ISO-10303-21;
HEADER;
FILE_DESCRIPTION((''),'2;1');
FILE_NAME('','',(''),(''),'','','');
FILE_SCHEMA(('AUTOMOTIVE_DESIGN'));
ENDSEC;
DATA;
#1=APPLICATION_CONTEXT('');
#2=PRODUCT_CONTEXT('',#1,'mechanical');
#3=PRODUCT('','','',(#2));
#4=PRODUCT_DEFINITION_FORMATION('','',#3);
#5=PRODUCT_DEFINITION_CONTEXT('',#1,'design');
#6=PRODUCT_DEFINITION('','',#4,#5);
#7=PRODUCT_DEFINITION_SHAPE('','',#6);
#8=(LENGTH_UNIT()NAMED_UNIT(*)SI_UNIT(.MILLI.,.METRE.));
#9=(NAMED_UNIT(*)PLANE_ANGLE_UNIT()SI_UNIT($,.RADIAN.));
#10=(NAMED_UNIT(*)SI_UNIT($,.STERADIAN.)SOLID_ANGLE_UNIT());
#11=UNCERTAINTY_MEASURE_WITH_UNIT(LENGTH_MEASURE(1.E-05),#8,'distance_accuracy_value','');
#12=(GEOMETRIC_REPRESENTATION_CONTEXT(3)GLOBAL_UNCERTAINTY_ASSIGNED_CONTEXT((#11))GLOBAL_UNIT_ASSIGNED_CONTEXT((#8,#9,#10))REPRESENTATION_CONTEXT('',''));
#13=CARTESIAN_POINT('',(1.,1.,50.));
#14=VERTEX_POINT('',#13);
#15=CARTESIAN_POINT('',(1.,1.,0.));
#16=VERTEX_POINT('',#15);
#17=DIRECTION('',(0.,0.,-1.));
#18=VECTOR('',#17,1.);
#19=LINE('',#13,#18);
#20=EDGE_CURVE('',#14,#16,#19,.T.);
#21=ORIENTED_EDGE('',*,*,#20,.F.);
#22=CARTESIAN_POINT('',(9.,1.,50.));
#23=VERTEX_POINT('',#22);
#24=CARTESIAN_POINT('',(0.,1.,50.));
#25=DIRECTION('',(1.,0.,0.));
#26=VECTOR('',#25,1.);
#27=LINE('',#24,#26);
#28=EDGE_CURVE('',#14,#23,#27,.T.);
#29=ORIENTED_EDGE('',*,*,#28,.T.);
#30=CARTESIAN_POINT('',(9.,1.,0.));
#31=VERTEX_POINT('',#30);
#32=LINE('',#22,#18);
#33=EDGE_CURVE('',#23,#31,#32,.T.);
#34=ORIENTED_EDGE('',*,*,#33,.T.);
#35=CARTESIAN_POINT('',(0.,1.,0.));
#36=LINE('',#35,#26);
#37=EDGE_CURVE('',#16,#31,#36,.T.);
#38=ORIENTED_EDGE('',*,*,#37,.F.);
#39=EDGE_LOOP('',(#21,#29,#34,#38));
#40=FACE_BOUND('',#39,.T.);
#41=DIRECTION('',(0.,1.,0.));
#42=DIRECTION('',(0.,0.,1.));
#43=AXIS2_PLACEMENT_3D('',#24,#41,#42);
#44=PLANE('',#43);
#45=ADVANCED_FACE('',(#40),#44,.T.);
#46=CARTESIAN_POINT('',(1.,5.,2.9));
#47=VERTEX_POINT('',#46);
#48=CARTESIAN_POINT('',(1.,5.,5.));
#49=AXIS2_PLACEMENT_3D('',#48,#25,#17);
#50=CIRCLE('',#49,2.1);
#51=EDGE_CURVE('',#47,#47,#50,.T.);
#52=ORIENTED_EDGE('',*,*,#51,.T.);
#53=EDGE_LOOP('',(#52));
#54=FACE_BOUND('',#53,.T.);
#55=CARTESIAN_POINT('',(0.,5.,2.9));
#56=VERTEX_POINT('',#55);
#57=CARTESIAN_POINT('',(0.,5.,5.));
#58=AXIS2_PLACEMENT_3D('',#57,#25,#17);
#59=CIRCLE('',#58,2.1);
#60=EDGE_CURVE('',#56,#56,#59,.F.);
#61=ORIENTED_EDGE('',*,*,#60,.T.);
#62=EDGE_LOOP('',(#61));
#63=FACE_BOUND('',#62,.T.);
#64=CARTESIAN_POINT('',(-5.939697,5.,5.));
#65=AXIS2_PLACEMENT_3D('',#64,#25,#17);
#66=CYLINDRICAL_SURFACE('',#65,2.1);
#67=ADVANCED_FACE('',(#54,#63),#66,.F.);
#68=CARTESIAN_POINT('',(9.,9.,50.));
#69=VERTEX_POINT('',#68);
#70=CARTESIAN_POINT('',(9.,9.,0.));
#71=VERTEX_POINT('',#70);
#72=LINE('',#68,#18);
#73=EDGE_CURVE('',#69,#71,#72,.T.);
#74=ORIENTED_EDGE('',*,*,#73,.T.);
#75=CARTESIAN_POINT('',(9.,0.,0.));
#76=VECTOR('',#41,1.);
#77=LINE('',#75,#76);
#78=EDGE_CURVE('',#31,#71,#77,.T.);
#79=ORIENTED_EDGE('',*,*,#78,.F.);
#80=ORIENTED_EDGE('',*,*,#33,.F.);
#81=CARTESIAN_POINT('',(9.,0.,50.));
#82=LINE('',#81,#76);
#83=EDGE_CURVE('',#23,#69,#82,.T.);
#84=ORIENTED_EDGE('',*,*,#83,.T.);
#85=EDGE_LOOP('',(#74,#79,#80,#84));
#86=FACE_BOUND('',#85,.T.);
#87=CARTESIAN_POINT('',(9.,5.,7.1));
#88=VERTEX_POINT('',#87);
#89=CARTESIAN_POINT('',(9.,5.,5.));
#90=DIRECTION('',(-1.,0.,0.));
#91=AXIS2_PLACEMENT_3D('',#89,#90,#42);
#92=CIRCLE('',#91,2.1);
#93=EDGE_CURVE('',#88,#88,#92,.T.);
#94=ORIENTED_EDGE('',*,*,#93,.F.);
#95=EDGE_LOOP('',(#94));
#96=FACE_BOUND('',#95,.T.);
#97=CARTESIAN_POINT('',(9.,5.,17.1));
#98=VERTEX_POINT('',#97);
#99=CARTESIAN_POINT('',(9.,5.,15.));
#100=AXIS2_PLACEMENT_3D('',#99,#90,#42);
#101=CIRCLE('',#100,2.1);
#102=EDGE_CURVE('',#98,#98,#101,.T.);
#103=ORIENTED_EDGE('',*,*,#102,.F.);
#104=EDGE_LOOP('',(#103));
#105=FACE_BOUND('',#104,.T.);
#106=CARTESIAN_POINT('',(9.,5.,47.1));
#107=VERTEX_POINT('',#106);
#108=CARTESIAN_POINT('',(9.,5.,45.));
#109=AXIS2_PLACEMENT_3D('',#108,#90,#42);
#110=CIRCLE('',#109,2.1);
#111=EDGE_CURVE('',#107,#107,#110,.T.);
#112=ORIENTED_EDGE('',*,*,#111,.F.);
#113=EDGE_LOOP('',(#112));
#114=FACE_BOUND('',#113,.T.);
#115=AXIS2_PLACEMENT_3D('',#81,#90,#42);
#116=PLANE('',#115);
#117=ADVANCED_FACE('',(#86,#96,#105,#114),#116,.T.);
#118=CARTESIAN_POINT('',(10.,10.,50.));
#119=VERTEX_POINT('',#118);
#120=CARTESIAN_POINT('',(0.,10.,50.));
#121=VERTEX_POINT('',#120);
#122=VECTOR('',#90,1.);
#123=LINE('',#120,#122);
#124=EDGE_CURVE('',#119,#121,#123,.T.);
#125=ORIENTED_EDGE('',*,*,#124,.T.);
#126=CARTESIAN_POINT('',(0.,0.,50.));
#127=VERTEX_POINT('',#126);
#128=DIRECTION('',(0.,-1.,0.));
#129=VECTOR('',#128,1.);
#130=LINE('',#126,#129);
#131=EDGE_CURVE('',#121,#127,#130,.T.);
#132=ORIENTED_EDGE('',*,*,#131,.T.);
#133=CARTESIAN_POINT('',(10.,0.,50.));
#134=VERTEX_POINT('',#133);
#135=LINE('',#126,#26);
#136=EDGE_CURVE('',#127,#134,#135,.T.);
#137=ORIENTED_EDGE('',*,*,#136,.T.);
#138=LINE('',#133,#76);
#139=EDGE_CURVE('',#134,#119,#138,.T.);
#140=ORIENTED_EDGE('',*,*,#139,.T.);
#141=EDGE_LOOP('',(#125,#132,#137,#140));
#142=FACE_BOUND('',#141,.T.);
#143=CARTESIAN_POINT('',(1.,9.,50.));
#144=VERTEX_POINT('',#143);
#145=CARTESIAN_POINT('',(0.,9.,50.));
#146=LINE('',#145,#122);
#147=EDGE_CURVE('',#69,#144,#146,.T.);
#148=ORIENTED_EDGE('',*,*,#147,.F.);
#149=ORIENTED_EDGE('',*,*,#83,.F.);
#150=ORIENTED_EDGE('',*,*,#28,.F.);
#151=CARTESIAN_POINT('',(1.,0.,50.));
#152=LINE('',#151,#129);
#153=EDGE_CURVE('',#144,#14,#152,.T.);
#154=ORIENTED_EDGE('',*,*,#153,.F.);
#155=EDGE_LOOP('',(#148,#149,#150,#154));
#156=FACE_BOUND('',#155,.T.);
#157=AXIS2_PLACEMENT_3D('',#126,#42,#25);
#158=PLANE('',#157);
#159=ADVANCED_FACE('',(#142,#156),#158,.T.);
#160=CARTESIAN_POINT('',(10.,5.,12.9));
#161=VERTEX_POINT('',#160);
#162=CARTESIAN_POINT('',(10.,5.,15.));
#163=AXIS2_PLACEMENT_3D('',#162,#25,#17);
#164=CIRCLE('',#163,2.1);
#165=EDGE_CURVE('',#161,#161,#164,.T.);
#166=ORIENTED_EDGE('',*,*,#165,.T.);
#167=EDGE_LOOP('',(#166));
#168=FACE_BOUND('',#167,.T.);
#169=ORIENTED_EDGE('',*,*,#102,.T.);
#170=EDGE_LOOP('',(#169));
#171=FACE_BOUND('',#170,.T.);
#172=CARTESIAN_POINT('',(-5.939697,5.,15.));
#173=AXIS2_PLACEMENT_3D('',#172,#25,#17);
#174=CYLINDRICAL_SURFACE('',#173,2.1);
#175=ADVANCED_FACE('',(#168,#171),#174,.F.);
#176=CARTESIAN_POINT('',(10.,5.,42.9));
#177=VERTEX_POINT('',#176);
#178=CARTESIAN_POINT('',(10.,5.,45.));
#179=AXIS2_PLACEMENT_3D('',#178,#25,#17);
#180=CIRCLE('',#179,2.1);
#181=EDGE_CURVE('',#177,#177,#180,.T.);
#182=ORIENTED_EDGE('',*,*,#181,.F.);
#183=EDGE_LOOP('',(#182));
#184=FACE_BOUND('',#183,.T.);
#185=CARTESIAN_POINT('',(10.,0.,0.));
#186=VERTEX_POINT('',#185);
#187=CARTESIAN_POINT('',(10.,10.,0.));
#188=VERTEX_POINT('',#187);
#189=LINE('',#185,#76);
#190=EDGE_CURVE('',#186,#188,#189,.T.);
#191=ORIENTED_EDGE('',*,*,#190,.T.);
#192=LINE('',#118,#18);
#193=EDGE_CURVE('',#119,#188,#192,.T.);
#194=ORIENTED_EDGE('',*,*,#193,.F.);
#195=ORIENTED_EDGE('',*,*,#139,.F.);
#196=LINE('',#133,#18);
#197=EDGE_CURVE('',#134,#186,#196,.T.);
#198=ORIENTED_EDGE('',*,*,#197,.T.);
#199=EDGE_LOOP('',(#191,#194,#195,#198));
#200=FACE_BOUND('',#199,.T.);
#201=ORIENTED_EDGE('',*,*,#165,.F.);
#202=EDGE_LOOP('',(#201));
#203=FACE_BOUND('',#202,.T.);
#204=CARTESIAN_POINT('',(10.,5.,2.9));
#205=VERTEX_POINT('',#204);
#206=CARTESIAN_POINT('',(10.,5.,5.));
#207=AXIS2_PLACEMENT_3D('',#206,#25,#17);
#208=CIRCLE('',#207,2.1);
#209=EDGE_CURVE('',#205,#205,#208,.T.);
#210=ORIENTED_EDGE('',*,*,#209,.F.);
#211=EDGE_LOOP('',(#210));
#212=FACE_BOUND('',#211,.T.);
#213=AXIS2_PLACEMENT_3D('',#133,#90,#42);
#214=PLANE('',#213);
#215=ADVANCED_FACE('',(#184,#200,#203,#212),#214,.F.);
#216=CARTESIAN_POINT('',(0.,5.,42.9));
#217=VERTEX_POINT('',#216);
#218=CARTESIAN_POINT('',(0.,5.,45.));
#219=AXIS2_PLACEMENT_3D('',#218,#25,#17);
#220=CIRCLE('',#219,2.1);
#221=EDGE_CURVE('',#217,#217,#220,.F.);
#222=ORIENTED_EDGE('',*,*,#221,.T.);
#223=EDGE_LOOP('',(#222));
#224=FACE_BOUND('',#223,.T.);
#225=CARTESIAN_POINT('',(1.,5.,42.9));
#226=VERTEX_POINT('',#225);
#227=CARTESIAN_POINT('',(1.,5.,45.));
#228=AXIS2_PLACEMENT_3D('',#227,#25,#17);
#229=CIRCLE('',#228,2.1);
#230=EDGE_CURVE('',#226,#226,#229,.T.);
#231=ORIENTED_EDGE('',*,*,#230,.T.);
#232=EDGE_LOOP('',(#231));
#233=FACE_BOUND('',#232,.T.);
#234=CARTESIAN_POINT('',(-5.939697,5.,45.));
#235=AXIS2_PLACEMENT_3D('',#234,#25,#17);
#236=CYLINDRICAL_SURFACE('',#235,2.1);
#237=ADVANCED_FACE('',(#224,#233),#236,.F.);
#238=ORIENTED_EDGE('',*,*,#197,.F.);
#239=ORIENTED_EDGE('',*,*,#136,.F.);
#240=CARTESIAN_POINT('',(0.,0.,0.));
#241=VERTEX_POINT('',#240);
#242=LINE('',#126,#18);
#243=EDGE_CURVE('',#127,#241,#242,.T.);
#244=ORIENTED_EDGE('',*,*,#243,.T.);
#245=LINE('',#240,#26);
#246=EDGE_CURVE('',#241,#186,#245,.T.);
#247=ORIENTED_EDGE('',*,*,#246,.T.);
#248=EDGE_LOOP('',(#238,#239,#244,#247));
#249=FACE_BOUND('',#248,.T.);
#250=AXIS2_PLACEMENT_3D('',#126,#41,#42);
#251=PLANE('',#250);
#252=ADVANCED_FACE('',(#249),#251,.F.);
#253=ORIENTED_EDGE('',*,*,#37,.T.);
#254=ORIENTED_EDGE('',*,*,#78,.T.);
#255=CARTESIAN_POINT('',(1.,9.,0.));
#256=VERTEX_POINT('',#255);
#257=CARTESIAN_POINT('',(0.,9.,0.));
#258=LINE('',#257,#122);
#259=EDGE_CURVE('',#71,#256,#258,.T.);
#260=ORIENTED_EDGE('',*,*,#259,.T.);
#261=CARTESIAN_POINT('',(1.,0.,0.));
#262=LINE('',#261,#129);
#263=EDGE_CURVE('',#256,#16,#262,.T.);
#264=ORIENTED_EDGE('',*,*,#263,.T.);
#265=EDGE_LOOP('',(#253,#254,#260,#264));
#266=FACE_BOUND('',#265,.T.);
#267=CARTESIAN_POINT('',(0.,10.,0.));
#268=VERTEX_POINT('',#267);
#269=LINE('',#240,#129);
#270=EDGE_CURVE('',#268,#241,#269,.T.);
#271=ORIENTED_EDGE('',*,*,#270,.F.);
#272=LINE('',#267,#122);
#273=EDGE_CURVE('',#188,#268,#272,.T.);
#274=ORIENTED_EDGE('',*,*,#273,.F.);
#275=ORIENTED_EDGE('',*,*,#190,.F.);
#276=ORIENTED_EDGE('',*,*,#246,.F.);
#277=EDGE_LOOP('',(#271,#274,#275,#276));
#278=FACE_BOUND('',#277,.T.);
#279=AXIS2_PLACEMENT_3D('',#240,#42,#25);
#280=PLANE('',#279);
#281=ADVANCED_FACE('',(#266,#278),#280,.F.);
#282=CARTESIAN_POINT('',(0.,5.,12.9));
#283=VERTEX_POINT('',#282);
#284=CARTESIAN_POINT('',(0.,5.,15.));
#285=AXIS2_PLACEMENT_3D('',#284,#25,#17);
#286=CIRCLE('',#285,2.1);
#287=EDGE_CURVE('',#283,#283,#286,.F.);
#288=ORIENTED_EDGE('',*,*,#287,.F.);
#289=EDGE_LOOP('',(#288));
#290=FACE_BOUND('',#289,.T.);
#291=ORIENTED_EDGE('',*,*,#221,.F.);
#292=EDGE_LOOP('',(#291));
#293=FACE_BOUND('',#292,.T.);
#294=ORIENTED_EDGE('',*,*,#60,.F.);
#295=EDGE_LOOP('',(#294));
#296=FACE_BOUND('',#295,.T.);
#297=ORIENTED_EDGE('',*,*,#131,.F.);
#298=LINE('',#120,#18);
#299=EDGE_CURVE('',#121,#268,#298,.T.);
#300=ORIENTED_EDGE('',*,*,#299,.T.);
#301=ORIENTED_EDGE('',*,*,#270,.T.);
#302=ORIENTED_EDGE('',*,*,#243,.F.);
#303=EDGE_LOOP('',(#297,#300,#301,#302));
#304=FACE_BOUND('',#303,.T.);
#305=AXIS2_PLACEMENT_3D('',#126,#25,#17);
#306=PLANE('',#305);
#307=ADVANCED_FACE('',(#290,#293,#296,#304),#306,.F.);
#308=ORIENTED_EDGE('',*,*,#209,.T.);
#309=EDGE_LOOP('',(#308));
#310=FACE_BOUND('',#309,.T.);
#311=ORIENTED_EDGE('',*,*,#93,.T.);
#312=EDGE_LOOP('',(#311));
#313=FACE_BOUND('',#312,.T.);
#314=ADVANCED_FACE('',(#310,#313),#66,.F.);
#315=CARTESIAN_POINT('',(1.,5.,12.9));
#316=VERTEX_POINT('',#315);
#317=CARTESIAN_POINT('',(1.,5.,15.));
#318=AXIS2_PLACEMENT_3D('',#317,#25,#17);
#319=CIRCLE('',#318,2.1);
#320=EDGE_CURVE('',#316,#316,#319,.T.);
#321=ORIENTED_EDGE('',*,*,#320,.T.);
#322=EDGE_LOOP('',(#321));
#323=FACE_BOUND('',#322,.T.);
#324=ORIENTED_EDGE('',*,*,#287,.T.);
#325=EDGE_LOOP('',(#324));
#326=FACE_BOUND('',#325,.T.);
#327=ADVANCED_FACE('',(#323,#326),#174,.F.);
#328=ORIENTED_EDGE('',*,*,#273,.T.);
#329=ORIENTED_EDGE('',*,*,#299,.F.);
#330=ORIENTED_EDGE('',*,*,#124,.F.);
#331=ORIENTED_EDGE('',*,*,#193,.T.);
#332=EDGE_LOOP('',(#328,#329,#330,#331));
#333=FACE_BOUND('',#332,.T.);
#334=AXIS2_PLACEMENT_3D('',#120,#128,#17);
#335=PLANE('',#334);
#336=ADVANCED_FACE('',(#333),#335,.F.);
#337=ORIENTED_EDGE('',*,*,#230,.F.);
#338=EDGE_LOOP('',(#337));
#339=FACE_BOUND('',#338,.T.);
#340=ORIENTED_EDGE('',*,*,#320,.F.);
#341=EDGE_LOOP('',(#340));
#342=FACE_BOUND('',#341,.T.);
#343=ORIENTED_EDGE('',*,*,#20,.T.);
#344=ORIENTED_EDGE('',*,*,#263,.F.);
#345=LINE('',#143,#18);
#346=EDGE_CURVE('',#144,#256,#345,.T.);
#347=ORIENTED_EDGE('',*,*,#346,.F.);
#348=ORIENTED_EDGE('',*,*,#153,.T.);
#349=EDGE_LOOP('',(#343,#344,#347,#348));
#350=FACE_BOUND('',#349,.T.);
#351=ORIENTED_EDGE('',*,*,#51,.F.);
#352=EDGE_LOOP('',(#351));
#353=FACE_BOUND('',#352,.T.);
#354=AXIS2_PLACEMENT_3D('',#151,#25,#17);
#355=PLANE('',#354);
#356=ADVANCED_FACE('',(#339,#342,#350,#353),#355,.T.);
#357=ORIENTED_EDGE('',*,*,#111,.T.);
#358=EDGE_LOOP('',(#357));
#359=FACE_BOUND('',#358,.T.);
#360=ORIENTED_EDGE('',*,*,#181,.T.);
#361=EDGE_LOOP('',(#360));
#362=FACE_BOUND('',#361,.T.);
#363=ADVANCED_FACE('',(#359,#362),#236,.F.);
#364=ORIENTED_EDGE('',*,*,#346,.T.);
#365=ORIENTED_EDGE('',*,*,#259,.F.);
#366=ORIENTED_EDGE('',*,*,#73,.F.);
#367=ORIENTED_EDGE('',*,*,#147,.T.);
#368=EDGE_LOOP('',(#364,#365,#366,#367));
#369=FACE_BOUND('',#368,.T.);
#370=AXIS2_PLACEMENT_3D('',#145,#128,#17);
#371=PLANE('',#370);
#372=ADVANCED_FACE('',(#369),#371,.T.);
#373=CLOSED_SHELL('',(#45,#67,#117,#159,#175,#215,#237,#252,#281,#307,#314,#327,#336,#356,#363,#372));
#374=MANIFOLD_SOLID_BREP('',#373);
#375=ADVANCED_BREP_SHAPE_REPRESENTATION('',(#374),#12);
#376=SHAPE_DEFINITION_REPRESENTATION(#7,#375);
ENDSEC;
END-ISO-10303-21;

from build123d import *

# Parameters (mm, degrees)
SKETCH_1_W          = 10
SKETCH_1_H          = 10
SKETCH_1_W_2        = 8
SKETCH_1_H_2        = 8
EXTRUDE_1_DEPTH     = 50
CUT_EXTRUDE_1_REACH = 53.962
SKETCH_2_R          = 2.1


with BuildPart() as part:
    # ｽｹｯﾁ1 → 押し出し-薄板1 (new body)
    with BuildSketch(Plane.XY):
        with Locations((5, 5)):
            Rectangle(SKETCH_1_W, SKETCH_1_H)
        with Locations((5, 5)):
            Rectangle(SKETCH_1_W_2, SKETCH_1_H_2, mode=Mode.SUBTRACT)
    extrude(amount=EXTRUDE_1_DEPTH)

    # ｶｯﾄ - 押し出し1: up to this face of the body (flat: up to its plane)
    cut_extrude_1_end = Plane(part.part.faces().sort_by_distance((0, 5, 25))[0])
    # ｽｹｯﾁ2 → ｶｯﾄ - 押し出し1 (cut, up to the picked face)
    with BuildSketch(Plane(origin=(10, 0, 0), x_dir=(0, 0, -1), z_dir=(1, 0, 0)), mode=Mode.PRIVATE) as cut_extrude_1_sk1:
        with Locations((-5, 5)):
            Circle(SKETCH_2_R)
    cut_extrude_1_tool1 = split(extrude(cut_extrude_1_sk1.sketch, amount=-CUT_EXTRUDE_1_REACH, mode=Mode.PRIVATE), bisect_by=cut_extrude_1_end, keep=Keep.BOTH, mode=Mode.PRIVATE)
    # ｽｹｯﾁ2 → ｶｯﾄ - 押し出し1 (cut, up to the picked face)
    with BuildSketch(Plane(origin=(10, 0, 0), x_dir=(0, 0, -1), z_dir=(1, 0, 0)), mode=Mode.PRIVATE) as cut_extrude_1_sk2:
        with Locations((-15, 5)):
            Circle(SKETCH_2_R)
    cut_extrude_1_tool2 = split(extrude(cut_extrude_1_sk2.sketch, amount=-CUT_EXTRUDE_1_REACH, mode=Mode.PRIVATE), bisect_by=cut_extrude_1_end, keep=Keep.BOTH, mode=Mode.PRIVATE)
    # ｽｹｯﾁ2 → ｶｯﾄ - 押し出し1 (cut, up to the picked face)
    with BuildSketch(Plane(origin=(10, 0, 0), x_dir=(0, 0, -1), z_dir=(1, 0, 0)), mode=Mode.PRIVATE) as cut_extrude_1_sk3:
        with Locations((-45, 5)):
            Circle(SKETCH_2_R)
    cut_extrude_1_tool3 = split(extrude(cut_extrude_1_sk3.sketch, amount=-CUT_EXTRUDE_1_REACH, mode=Mode.PRIVATE), bisect_by=cut_extrude_1_end, keep=Keep.BOTH, mode=Mode.PRIVATE)
    add(cut_extrude_1_tool1.solids().sort_by(Axis((10, 5, 5), (-1, 0, 0)))[0], mode=Mode.SUBTRACT)
    add(cut_extrude_1_tool2.solids().sort_by(Axis((10, 5, 15), (-1, 0, 0)))[0], mode=Mode.SUBTRACT)
    add(cut_extrude_1_tool3.solids().sort_by(Axis((10, 5, 45), (-1, 0, 0)))[0], mode=Mode.SUBTRACT)


solid = part.part
